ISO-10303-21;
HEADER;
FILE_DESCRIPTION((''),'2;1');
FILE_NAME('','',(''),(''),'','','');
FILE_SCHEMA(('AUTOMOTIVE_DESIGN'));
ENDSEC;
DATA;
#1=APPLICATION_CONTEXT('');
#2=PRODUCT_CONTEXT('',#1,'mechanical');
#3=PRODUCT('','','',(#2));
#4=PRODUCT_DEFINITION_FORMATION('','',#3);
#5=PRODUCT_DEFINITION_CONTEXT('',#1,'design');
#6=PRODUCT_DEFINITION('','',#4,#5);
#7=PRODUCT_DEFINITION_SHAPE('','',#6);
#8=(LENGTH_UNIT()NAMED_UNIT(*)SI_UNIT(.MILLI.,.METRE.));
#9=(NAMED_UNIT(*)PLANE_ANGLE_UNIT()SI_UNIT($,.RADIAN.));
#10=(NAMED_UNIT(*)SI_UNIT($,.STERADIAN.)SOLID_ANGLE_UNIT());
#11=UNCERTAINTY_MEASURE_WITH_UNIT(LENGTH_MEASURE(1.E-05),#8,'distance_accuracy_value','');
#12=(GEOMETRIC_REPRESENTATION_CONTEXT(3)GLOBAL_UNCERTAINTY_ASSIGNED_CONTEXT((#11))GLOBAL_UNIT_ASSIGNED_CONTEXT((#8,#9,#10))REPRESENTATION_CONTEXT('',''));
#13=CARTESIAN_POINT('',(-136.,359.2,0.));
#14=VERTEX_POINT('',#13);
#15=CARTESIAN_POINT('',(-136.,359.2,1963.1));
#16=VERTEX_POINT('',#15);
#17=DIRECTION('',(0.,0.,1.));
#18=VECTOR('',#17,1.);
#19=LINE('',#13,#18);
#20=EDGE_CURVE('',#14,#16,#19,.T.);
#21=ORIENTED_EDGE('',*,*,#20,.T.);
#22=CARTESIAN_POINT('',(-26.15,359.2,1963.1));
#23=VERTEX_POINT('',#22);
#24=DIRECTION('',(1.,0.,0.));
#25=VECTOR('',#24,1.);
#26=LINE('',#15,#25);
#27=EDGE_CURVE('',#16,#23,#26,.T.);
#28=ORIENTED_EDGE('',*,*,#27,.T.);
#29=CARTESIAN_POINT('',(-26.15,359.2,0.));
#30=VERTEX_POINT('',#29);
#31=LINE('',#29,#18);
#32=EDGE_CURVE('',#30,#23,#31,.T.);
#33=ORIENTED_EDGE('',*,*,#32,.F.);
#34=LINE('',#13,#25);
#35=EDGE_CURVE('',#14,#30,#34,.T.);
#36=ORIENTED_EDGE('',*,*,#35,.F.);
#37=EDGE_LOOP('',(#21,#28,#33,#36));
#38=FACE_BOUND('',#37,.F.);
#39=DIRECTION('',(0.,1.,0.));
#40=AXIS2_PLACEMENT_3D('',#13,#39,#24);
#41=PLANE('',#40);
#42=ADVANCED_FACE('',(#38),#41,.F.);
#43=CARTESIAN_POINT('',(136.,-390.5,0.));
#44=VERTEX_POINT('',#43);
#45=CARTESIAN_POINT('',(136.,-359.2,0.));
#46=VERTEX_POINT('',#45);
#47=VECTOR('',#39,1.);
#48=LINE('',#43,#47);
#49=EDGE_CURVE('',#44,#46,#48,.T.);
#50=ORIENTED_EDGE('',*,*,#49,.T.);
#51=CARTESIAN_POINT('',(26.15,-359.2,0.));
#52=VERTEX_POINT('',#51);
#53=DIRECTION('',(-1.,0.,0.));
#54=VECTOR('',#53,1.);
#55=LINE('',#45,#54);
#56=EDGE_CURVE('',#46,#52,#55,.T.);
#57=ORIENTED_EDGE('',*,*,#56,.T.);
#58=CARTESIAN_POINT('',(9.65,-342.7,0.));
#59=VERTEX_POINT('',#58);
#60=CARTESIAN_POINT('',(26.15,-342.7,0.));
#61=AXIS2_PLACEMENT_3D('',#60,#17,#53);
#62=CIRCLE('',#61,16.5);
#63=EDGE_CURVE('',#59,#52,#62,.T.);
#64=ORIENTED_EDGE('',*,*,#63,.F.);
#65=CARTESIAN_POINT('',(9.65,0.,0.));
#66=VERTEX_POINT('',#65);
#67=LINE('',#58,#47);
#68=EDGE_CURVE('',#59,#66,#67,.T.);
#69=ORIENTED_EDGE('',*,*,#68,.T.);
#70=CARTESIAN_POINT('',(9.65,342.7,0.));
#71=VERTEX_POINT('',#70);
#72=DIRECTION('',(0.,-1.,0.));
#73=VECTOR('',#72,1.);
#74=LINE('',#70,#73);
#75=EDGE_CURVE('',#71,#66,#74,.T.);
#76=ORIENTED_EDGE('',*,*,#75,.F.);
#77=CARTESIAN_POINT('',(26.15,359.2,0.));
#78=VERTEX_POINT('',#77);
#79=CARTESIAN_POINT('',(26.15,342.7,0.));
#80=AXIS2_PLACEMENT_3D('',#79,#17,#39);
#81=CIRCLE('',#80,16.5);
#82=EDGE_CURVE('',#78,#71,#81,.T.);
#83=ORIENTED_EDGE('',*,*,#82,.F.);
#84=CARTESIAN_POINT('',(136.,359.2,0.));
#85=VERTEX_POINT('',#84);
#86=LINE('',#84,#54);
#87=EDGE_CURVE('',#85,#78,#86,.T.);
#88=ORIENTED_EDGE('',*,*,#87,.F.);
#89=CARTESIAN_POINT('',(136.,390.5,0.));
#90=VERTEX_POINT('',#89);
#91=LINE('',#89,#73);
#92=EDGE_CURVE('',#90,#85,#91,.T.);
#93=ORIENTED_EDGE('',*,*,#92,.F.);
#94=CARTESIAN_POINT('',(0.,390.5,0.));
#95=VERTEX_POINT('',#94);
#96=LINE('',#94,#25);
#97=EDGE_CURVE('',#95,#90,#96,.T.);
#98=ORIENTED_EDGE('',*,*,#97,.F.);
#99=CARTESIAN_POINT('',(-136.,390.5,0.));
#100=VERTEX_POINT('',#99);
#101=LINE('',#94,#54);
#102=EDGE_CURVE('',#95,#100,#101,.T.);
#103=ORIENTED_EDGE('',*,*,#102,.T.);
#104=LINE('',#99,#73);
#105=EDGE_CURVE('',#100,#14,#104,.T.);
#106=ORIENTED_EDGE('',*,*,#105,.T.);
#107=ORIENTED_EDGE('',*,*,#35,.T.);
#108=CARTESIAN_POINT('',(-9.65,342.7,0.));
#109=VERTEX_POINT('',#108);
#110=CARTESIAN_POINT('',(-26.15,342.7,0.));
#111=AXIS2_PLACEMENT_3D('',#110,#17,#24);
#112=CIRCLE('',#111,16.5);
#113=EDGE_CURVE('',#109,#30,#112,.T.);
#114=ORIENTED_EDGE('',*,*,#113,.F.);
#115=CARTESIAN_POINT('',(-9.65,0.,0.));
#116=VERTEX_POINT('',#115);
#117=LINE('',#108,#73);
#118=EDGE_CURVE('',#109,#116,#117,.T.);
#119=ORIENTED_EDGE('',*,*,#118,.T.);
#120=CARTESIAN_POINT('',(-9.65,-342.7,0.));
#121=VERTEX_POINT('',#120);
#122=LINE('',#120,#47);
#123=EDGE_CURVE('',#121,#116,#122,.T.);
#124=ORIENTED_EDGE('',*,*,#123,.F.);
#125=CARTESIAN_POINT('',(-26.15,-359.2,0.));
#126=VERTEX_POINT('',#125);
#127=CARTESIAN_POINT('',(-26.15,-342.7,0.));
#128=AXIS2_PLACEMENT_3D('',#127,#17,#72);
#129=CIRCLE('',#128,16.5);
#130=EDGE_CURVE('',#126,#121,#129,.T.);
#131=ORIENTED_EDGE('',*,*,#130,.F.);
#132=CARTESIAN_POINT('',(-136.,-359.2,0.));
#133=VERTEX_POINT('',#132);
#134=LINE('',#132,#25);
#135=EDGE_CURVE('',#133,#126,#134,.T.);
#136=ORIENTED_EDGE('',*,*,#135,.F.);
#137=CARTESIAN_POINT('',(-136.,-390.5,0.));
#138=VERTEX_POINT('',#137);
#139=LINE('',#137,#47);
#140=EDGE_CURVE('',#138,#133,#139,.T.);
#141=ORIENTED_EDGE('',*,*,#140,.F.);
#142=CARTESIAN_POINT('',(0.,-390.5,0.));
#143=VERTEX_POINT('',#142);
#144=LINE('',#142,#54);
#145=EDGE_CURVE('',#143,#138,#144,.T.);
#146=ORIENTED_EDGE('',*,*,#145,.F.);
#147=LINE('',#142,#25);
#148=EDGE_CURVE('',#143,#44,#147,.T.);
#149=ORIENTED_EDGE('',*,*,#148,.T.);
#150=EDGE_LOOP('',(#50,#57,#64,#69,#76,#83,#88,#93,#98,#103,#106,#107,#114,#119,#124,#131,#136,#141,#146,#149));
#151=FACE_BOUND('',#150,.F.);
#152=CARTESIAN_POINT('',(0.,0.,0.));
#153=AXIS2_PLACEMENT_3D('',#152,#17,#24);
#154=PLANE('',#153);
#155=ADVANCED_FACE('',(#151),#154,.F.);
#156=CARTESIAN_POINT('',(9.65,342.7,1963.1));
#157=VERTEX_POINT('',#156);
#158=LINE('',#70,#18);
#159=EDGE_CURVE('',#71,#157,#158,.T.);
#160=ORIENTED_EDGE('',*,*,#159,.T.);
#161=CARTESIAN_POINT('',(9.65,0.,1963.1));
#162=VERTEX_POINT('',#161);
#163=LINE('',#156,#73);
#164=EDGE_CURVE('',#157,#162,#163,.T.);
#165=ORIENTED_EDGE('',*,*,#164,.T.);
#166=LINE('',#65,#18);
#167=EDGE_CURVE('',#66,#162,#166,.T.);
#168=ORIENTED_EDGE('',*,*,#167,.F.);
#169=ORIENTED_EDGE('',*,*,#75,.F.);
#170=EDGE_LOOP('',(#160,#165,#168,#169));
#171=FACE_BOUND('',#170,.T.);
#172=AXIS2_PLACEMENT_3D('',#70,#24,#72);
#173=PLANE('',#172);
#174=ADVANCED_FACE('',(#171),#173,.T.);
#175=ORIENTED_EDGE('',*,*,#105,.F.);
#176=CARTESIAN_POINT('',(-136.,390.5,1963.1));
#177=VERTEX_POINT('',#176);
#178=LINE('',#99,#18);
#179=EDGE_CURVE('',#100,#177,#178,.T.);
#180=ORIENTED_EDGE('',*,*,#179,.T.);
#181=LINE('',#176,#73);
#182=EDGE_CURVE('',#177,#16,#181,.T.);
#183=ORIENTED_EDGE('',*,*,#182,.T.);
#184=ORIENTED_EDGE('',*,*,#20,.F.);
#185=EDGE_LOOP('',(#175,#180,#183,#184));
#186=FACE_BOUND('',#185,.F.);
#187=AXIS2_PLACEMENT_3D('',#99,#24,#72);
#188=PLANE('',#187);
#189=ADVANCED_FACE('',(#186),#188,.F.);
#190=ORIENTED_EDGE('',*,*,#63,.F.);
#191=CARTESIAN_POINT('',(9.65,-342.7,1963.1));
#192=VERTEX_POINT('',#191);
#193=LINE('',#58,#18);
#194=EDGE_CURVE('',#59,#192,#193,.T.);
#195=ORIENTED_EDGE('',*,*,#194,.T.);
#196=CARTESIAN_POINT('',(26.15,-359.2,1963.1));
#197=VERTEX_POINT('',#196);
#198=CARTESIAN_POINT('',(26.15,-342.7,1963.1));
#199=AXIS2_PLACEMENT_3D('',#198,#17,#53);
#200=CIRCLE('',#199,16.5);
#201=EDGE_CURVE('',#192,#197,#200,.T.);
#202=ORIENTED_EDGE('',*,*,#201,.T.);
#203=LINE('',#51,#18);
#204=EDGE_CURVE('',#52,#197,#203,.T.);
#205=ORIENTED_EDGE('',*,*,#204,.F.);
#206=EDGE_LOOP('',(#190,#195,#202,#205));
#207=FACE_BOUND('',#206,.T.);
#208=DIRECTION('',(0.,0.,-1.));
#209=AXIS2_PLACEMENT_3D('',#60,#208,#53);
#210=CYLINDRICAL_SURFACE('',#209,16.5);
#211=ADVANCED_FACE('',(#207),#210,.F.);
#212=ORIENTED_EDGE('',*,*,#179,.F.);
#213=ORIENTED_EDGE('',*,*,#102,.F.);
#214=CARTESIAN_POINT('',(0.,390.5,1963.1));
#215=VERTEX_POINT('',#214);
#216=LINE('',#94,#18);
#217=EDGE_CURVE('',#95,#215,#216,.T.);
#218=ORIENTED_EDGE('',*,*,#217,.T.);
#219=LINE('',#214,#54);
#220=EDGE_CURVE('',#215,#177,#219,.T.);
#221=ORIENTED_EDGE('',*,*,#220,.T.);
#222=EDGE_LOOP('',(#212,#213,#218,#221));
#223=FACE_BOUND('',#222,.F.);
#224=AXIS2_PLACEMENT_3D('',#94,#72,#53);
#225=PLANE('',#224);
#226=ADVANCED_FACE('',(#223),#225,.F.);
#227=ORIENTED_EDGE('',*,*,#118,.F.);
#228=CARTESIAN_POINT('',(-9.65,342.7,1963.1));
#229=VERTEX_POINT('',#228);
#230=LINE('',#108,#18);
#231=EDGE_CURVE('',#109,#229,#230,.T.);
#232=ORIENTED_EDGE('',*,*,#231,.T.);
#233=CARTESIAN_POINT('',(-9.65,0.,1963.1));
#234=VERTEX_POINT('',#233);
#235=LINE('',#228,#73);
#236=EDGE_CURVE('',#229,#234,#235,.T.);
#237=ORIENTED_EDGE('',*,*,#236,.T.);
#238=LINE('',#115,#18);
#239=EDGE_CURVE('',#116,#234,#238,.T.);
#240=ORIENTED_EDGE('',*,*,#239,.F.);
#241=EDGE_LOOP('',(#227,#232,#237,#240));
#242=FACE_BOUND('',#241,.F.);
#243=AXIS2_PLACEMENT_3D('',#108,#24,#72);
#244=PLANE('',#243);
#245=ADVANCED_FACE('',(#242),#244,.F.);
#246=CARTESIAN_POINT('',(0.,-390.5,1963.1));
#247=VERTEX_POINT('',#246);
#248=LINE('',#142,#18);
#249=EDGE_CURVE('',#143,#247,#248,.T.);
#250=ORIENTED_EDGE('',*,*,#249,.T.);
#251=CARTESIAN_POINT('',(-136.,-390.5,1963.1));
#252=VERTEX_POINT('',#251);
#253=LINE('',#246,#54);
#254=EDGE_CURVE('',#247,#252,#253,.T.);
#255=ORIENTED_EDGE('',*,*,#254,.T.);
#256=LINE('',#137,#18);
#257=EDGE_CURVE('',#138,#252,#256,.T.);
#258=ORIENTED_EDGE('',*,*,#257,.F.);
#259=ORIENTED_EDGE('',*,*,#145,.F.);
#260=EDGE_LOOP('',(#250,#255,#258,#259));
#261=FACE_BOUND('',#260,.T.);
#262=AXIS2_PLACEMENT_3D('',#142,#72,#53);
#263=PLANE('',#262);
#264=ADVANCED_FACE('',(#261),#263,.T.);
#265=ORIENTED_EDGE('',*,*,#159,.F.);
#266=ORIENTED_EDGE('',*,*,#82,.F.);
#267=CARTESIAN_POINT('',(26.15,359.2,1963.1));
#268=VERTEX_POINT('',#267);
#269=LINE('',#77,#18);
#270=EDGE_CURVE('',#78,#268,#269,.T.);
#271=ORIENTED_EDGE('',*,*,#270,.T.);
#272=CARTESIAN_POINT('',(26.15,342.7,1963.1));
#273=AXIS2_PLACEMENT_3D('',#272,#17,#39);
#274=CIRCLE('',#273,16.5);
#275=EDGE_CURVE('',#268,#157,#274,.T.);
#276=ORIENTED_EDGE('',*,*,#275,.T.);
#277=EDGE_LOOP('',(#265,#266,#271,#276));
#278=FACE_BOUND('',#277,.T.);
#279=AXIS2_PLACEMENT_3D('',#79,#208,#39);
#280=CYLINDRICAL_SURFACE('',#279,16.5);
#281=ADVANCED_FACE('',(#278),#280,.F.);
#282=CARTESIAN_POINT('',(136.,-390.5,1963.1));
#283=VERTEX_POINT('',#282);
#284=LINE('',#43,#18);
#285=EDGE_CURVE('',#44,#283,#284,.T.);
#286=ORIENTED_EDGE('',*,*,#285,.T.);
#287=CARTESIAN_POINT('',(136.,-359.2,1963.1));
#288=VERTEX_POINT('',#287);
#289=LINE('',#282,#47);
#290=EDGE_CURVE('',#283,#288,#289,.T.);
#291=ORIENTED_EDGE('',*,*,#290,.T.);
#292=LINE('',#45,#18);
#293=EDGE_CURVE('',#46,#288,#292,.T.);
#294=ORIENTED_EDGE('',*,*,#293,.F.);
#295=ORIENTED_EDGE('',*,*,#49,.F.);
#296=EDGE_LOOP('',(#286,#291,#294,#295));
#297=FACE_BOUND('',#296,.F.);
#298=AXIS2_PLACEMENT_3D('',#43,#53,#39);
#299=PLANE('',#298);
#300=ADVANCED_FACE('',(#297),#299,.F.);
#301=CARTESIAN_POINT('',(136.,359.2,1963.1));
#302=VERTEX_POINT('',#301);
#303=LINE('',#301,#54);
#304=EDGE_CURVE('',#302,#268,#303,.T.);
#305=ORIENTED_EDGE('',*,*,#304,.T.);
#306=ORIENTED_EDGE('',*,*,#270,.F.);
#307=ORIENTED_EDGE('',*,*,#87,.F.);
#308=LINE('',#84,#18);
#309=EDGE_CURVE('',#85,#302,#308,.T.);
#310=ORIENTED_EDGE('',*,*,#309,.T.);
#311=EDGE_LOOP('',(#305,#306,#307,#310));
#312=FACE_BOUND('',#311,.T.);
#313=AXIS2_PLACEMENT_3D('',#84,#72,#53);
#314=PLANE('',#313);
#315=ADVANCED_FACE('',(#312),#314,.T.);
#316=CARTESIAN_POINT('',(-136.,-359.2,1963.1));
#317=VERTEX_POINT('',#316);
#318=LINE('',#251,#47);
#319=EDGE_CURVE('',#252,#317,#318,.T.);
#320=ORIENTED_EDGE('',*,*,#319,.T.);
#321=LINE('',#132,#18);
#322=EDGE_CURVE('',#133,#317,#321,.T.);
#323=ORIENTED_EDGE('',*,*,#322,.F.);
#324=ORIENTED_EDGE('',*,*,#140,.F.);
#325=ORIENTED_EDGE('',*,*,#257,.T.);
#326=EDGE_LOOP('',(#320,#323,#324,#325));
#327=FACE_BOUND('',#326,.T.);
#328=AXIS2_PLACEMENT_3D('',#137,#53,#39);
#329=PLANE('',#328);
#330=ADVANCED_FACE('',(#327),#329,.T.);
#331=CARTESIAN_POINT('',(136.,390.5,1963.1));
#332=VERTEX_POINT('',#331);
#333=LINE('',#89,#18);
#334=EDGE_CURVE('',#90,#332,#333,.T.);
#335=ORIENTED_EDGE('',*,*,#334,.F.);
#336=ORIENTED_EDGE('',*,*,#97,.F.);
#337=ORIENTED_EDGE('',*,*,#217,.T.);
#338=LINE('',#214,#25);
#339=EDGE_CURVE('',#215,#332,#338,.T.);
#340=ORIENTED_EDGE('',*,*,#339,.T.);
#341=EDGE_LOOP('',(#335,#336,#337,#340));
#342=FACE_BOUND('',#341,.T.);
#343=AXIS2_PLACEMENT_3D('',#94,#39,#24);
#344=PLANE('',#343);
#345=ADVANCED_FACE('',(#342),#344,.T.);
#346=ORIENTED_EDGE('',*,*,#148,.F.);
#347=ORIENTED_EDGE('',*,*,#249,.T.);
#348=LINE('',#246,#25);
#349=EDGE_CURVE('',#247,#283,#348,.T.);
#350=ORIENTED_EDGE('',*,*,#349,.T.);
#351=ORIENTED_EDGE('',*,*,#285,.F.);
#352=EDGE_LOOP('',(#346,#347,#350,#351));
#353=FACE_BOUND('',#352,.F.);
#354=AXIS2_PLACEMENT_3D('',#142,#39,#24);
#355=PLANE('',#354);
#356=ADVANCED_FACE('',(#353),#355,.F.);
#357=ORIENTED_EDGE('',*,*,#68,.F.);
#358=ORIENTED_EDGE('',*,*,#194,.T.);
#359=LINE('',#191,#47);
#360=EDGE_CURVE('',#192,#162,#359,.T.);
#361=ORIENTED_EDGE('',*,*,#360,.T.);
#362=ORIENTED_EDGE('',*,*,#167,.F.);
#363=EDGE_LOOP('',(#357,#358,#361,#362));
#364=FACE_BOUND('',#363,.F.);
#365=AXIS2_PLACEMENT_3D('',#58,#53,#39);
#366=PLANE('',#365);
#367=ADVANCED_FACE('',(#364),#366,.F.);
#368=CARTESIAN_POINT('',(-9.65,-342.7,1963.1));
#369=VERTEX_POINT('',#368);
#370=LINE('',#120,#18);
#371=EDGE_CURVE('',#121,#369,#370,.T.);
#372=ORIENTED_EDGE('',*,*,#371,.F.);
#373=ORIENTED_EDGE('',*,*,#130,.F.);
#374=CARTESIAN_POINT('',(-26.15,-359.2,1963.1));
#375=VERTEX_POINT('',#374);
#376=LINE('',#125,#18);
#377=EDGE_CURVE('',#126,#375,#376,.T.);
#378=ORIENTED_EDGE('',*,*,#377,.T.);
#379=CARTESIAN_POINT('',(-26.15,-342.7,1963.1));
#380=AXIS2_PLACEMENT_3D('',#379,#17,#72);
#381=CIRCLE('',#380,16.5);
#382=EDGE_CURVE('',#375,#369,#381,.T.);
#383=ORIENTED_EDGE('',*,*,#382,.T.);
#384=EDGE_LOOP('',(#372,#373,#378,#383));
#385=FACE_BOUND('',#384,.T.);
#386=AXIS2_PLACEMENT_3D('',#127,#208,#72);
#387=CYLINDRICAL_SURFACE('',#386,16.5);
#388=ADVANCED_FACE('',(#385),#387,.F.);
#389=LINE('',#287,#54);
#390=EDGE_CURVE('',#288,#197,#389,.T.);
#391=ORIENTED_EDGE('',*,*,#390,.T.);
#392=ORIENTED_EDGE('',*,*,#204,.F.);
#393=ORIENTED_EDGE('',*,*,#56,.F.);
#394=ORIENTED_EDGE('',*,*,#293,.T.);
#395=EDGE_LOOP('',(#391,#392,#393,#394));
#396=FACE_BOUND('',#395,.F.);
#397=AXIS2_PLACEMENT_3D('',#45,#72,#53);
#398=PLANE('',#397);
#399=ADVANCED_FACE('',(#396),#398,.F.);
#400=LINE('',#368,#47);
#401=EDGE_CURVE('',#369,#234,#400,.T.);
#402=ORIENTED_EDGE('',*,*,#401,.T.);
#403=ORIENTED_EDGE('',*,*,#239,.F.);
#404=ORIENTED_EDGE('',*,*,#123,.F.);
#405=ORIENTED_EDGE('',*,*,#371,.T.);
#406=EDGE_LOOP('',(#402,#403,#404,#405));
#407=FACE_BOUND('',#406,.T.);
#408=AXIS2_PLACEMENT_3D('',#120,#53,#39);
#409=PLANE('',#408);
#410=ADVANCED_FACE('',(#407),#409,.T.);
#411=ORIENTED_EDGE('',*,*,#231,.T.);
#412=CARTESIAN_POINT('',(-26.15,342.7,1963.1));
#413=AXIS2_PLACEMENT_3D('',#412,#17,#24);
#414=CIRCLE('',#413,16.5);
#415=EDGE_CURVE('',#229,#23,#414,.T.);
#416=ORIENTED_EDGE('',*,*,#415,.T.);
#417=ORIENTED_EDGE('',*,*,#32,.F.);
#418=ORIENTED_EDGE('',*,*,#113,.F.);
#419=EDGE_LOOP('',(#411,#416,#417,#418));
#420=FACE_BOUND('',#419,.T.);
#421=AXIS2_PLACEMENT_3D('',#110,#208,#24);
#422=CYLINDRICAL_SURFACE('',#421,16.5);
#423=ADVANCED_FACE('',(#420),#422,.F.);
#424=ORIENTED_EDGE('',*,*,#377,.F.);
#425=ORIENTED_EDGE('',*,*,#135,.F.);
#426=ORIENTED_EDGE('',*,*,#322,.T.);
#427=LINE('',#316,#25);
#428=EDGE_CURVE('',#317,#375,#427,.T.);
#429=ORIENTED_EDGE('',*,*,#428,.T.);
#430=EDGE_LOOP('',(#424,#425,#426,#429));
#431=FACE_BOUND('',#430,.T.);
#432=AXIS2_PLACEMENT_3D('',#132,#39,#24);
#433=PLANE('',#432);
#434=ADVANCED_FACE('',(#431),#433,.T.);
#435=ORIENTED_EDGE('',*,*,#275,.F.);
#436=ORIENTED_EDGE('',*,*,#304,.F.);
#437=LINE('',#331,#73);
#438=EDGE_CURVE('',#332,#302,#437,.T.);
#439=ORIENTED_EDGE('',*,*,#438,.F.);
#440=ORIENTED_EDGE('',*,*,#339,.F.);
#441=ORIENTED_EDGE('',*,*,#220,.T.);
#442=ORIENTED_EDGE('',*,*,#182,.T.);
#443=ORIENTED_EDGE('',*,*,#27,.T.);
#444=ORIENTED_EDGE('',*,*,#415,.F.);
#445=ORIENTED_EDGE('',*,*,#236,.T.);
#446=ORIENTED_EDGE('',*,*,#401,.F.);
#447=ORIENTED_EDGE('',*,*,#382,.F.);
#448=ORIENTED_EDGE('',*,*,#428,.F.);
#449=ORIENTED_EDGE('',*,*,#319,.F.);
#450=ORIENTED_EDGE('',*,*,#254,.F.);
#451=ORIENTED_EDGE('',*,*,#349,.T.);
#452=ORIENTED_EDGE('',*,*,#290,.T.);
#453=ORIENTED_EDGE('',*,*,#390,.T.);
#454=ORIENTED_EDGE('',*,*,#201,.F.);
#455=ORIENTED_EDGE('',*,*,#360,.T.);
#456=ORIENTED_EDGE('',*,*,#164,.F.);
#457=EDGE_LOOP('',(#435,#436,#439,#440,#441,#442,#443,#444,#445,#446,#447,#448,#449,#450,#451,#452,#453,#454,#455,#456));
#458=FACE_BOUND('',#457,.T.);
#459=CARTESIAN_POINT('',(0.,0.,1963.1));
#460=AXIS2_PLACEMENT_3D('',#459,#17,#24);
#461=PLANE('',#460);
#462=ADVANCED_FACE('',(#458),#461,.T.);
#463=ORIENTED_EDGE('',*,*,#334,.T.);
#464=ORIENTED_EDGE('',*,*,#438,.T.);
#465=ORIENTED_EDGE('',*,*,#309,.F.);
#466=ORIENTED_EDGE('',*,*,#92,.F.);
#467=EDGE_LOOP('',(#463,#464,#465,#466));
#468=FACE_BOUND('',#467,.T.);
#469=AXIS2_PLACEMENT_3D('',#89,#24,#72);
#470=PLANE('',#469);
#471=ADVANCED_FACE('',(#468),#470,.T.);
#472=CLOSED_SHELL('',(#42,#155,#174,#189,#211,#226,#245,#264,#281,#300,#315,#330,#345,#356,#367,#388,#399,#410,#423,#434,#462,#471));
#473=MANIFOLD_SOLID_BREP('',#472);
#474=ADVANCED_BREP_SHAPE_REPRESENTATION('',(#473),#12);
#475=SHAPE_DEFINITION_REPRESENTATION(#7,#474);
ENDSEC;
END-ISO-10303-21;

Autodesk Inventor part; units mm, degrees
ref_plane "YZ Plane" through (0, 0, 0) normal (1, 0, 0) x (0, 1, 0)
ref_plane "Start plane" through (0, 0, 0) normal (0, 0, 1) x (1, 0, 0)
ref_plane "End plane" through (0, 0, 1963.1) normal (0, 0, 1) x (1, 0, 0)
sketch "Sketch" plane through (0, 0, 0) normal (0, 0, 1) x (1, 0, 0)
  line L0 (-136, -390.5) -> (-136, -359.2)
  line L1 (-136, -359.2) -> (-26.15, -359.2)
  line L2 (-9.65, -342.7) -> (-9.65, 0)
  line L3 (-9.65, 0) -> (0, 0) construction
  line L4 (0, 0) -> (0, -390.5) construction
  line L5 (0, -390.5) -> (-136, -390.5)
  line L6 (-60, 0) -> (80, 0) construction
  line L7 (0, -60) -> (0, 80) construction
  line L8 (136, -390.5) -> (136, -359.2)
  line L9 (136, -359.2) -> (26.15, -359.2)
  line L10 (9.65, -342.7) -> (9.65, 0)
  line L11 (9.65, 0) -> (0, 0) construction
  line L12 (0, -390.5) -> (136, -390.5)
  line L13 (-136, 390.5) -> (-136, 359.2)
  line L14 (-136, 359.2) -> (-26.15, 359.2)
  line L15 (-9.65, 342.7) -> (-9.65, 0)
  line L16 (0, 390.5) -> (-136, 390.5)
  line L17 (136, 390.5) -> (136, 359.2)
  line L18 (136, 359.2) -> (26.15, 359.2)
  line L19 (0, 390.5) -> (136, 390.5)
  line L20 (9.65, 342.7) -> (9.65, 0)
  arc A0 (-9.65, 342.7) -> (-26.15, 359.2) centre (-26.15, 342.7) ccw
  arc A1 (26.15, 359.2) -> (9.65, 342.7) centre (26.15, 342.7) ccw
  arc A2 (9.65, -342.7) -> (26.15, -359.2) centre (26.15, -342.7) ccw
  arc A3 (-26.15, -359.2) -> (-9.65, -342.7) centre (-26.15, -342.7) ccw
  line L21 (0, 108) -> (0, -88) construction
  line L22 (-88, 0) -> (108, 0) construction
  point P0 (-9.65, -359.2)
  point P1 (9.65, -359.2)
  point P2 (-9.65, 359.2)
  point P3 (9.65, 359.2)
  dimension "d1" = 390.5
  dimension "d2" = 31.3
  dimension "d3" = 136
  dimension "d4" = 9.65
  dimension "d10" = 16.5
extrude "Body" add sketch "Sketch" along normal up to surface (1963.1 mm away) from surface at 0
sketch "Sketch4" plane through (0, 0, 0) normal (0, 0, 1) x (1, 0, 0)
  line L0 (0, 0) -> (10, 0)
ref_plane "Work Plane3" through (0, 0, 0) normal (0, -1, 0) x (1, 0, 0)
sketch "Sketch5" plane through (0, 0, 0) normal (0, -1, 0) x (1, 0, 0)
  line L0 (-2, 0) -> (12, 0) projected
  line L1 (-2, 1963.1) -> (12, 1963.1) projected
  dimension "d14" = 1963.1
equation "\"d1\" = 0.5 * G_H"
equation "\"d2\" = G_T1"
equation "\"d3\" = 0.5 * G_W"
equation "\"d4\" = 0.5 * G_T"
equation "\"d10\" = G_IR"
equation "\"d5\" = G_L"
equation "\"G_W\" = 272"
equation "\"G_H\" = 781"
equation "\"G_T\" = 19.3"
equation "\"G_T1\" = 31.3"
equation "\"G_IR\" = 16.5"
equation "\"G_L\" = d14"
equation "\"G_OFFSET_START\" = 0"
equation "\"G_OFFSET_END\" = 0"
equation "\"d12\" = G_OFFSET_END + B_L"
equation "\"B_L\" = 1963.1"
properties part number "AS 3679-1990 - 760 UB - 244 - 1963.1" material "Steel, Mild"
